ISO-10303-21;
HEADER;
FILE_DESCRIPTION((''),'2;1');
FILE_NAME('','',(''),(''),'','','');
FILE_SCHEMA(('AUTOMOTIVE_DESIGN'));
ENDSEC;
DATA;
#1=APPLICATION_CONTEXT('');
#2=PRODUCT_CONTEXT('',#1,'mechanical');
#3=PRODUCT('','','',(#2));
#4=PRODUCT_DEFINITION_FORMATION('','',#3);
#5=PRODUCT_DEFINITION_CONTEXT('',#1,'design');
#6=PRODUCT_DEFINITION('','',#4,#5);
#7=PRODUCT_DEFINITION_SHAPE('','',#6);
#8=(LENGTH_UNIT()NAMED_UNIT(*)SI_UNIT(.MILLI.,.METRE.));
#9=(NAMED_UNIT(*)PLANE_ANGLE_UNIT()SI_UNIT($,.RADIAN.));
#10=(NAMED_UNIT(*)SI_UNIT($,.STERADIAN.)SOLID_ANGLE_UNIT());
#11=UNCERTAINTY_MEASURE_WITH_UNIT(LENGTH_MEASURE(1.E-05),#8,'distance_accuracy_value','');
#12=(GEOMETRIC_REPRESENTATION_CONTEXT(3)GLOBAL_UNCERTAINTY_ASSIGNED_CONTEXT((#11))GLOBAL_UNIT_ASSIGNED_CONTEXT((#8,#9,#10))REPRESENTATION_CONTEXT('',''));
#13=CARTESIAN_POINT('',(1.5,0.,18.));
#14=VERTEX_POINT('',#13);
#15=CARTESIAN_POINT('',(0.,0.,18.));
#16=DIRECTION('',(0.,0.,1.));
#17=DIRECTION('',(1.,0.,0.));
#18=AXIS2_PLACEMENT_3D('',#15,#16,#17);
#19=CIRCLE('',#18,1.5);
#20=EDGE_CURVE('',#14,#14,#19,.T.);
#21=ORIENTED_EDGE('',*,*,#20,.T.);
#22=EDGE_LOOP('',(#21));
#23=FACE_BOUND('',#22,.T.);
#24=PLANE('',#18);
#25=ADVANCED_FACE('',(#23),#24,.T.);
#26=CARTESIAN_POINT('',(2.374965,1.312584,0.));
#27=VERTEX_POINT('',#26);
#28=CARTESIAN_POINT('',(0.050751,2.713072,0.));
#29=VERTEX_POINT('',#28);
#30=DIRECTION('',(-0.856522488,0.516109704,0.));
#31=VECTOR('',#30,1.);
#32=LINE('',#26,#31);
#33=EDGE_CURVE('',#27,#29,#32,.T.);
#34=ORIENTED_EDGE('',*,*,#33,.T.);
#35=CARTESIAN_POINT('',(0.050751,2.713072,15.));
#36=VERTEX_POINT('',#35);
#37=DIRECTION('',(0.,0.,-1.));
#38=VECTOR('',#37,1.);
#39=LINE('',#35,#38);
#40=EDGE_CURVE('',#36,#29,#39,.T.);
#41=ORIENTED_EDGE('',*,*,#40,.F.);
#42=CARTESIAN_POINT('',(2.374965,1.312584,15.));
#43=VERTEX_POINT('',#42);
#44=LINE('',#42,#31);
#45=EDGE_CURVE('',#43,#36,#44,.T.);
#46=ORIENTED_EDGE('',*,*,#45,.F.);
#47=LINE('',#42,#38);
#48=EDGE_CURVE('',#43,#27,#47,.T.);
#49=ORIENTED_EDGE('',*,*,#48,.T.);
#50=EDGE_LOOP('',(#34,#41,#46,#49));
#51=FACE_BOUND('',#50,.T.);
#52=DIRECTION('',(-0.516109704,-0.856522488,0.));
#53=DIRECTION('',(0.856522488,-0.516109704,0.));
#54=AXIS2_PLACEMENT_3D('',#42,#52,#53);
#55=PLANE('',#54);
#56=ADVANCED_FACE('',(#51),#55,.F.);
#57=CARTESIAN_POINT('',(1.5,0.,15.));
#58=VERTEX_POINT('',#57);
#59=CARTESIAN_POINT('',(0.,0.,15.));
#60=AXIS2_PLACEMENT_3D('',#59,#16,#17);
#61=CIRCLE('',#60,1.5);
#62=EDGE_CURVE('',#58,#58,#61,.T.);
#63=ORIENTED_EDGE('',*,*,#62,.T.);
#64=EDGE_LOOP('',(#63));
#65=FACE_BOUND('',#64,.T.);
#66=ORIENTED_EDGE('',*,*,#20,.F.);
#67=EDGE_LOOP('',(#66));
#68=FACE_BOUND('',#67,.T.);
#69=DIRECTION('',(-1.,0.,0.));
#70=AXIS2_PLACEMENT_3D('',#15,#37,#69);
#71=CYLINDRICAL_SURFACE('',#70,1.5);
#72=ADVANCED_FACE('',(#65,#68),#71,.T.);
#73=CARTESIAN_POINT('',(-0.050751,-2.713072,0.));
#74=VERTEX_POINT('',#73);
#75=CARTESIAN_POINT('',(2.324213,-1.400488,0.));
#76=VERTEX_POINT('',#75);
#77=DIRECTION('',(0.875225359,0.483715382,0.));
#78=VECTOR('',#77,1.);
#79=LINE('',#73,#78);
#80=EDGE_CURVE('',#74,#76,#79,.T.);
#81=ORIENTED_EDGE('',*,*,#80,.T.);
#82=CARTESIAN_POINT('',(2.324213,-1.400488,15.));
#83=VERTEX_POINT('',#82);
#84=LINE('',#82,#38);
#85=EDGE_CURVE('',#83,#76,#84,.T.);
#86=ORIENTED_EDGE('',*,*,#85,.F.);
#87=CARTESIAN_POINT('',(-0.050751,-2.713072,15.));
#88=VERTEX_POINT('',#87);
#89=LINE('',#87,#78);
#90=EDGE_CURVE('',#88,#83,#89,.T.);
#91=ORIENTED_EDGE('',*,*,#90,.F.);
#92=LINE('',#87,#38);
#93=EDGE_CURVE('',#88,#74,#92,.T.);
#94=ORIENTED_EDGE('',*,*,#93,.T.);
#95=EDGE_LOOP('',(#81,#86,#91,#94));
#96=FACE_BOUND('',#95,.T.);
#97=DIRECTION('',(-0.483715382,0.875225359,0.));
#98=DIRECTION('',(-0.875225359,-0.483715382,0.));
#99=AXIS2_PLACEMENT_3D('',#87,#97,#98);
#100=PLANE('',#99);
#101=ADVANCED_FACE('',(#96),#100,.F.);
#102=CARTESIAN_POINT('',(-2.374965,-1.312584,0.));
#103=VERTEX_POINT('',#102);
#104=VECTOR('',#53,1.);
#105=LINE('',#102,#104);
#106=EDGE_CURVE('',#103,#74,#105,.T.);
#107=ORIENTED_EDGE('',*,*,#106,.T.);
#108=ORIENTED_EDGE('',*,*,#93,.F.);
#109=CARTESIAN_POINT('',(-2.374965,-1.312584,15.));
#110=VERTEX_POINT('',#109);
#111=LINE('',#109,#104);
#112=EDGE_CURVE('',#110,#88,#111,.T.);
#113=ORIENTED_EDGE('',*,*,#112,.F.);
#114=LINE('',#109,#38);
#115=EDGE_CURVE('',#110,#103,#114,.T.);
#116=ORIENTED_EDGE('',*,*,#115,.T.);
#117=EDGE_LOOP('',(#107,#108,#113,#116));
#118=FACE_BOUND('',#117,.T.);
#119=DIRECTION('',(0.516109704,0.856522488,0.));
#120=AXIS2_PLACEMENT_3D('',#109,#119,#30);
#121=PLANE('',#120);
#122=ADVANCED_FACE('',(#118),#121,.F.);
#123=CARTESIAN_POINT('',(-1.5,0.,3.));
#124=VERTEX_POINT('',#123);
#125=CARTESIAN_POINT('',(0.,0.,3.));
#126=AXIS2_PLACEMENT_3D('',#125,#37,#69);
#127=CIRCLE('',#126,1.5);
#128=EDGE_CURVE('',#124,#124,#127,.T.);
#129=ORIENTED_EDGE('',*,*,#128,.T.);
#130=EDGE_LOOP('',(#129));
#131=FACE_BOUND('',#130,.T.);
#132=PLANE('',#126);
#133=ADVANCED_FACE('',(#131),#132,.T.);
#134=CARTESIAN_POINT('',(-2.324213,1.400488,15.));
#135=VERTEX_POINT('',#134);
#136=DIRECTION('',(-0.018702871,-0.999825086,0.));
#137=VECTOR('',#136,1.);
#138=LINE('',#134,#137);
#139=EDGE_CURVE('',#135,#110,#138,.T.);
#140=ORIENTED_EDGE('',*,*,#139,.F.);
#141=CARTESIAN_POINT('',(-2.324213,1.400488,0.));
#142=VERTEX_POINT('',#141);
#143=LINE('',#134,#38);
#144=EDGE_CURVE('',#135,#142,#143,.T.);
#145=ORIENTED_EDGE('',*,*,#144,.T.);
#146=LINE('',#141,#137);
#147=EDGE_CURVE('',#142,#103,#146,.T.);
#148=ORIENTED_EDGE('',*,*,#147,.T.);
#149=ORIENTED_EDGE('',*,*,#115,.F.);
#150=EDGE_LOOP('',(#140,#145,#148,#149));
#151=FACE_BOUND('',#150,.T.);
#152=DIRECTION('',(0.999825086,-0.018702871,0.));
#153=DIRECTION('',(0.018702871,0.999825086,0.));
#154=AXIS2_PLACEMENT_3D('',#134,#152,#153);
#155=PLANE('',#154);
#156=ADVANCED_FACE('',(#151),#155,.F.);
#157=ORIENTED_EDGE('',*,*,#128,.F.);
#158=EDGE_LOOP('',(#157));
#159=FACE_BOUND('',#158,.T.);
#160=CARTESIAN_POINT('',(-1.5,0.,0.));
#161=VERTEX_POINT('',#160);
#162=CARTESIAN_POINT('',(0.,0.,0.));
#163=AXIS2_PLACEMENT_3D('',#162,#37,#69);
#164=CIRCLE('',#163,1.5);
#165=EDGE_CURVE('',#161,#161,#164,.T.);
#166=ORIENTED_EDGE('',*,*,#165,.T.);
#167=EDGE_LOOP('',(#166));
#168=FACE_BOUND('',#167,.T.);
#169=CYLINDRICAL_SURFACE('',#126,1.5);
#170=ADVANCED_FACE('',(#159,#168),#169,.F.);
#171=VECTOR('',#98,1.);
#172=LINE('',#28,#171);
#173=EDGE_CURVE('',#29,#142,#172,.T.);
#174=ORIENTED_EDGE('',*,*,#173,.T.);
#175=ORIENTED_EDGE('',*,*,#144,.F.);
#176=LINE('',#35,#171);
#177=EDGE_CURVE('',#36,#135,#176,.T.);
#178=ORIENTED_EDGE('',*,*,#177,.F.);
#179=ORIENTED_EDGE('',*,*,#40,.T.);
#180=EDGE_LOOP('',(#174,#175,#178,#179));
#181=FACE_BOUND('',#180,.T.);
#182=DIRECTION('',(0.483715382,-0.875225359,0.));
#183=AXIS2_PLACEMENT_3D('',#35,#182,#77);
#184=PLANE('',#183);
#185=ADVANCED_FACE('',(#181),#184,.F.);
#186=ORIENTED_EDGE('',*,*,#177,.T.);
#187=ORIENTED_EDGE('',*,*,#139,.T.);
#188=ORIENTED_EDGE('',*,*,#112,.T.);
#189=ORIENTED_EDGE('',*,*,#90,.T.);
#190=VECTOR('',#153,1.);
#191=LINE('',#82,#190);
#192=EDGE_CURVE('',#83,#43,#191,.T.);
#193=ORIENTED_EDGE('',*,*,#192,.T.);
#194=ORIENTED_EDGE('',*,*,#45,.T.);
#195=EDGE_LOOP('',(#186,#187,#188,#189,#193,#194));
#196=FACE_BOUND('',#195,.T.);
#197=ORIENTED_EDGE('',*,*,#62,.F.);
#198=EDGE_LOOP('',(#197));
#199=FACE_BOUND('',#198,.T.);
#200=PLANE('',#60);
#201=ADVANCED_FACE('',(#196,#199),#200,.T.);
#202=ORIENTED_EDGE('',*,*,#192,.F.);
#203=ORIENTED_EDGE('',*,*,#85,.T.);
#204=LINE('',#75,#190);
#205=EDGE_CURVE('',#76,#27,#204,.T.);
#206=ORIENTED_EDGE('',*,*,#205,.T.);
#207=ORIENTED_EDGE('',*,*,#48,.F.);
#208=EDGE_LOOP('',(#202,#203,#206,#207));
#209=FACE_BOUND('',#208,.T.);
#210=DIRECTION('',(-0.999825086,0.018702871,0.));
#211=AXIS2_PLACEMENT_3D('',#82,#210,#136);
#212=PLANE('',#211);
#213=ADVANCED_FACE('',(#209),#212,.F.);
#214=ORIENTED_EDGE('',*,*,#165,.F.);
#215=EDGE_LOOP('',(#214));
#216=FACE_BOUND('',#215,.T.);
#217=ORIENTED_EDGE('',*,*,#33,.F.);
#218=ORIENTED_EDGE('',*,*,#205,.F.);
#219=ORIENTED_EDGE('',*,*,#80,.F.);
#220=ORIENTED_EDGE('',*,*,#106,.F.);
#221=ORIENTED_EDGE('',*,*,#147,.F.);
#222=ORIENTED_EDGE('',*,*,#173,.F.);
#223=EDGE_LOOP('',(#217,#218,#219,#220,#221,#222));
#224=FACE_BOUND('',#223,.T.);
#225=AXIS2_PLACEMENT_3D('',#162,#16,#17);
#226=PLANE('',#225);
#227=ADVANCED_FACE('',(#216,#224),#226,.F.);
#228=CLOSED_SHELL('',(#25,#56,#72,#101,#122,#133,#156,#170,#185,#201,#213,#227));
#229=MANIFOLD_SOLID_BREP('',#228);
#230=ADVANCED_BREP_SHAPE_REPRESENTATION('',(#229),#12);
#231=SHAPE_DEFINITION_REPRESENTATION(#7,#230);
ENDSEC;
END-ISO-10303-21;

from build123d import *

# Parameters (mm, degrees)
EXTRUDE_1_DEPTH     = 15
SKETCH_2_R          = 1.5
EXTRUDE_2_DEPTH     = 3
SKETCH_3_R          = 1.5
CUT_EXTRUDE_1_DEPTH = 3


with BuildPart() as part:
    # 草图1 → 凸台-拉伸1 (new body)
    with BuildSketch(Plane.XY):
        Polygon((-2.324213399, 1.400487561), (-2.374964505, -1.312584067), (-0.050751106, -2.713071628), (2.324213399, -1.400487561), (2.374964505, 1.312584067), (0.050751106, 2.713071628), align=None)
    extrude(amount=EXTRUDE_1_DEPTH)

    # 草图2 → 凸台-拉伸2 (add)
    with BuildSketch(Plane.XY.offset(15)):
        Circle(SKETCH_2_R)
    extrude(amount=EXTRUDE_2_DEPTH)

    # 草图3 → 切除-拉伸1 (cut)
    with BuildSketch(Plane(origin=(0, 0, 0), x_dir=(-1, 0, 0), z_dir=(0, 0, -1))):
        with Locations(Location((0, 0, 0), (0, 0, 180))):
            Circle(SKETCH_3_R)
    extrude(amount=-CUT_EXTRUDE_1_DEPTH, mode=Mode.SUBTRACT)


solid = part.part
